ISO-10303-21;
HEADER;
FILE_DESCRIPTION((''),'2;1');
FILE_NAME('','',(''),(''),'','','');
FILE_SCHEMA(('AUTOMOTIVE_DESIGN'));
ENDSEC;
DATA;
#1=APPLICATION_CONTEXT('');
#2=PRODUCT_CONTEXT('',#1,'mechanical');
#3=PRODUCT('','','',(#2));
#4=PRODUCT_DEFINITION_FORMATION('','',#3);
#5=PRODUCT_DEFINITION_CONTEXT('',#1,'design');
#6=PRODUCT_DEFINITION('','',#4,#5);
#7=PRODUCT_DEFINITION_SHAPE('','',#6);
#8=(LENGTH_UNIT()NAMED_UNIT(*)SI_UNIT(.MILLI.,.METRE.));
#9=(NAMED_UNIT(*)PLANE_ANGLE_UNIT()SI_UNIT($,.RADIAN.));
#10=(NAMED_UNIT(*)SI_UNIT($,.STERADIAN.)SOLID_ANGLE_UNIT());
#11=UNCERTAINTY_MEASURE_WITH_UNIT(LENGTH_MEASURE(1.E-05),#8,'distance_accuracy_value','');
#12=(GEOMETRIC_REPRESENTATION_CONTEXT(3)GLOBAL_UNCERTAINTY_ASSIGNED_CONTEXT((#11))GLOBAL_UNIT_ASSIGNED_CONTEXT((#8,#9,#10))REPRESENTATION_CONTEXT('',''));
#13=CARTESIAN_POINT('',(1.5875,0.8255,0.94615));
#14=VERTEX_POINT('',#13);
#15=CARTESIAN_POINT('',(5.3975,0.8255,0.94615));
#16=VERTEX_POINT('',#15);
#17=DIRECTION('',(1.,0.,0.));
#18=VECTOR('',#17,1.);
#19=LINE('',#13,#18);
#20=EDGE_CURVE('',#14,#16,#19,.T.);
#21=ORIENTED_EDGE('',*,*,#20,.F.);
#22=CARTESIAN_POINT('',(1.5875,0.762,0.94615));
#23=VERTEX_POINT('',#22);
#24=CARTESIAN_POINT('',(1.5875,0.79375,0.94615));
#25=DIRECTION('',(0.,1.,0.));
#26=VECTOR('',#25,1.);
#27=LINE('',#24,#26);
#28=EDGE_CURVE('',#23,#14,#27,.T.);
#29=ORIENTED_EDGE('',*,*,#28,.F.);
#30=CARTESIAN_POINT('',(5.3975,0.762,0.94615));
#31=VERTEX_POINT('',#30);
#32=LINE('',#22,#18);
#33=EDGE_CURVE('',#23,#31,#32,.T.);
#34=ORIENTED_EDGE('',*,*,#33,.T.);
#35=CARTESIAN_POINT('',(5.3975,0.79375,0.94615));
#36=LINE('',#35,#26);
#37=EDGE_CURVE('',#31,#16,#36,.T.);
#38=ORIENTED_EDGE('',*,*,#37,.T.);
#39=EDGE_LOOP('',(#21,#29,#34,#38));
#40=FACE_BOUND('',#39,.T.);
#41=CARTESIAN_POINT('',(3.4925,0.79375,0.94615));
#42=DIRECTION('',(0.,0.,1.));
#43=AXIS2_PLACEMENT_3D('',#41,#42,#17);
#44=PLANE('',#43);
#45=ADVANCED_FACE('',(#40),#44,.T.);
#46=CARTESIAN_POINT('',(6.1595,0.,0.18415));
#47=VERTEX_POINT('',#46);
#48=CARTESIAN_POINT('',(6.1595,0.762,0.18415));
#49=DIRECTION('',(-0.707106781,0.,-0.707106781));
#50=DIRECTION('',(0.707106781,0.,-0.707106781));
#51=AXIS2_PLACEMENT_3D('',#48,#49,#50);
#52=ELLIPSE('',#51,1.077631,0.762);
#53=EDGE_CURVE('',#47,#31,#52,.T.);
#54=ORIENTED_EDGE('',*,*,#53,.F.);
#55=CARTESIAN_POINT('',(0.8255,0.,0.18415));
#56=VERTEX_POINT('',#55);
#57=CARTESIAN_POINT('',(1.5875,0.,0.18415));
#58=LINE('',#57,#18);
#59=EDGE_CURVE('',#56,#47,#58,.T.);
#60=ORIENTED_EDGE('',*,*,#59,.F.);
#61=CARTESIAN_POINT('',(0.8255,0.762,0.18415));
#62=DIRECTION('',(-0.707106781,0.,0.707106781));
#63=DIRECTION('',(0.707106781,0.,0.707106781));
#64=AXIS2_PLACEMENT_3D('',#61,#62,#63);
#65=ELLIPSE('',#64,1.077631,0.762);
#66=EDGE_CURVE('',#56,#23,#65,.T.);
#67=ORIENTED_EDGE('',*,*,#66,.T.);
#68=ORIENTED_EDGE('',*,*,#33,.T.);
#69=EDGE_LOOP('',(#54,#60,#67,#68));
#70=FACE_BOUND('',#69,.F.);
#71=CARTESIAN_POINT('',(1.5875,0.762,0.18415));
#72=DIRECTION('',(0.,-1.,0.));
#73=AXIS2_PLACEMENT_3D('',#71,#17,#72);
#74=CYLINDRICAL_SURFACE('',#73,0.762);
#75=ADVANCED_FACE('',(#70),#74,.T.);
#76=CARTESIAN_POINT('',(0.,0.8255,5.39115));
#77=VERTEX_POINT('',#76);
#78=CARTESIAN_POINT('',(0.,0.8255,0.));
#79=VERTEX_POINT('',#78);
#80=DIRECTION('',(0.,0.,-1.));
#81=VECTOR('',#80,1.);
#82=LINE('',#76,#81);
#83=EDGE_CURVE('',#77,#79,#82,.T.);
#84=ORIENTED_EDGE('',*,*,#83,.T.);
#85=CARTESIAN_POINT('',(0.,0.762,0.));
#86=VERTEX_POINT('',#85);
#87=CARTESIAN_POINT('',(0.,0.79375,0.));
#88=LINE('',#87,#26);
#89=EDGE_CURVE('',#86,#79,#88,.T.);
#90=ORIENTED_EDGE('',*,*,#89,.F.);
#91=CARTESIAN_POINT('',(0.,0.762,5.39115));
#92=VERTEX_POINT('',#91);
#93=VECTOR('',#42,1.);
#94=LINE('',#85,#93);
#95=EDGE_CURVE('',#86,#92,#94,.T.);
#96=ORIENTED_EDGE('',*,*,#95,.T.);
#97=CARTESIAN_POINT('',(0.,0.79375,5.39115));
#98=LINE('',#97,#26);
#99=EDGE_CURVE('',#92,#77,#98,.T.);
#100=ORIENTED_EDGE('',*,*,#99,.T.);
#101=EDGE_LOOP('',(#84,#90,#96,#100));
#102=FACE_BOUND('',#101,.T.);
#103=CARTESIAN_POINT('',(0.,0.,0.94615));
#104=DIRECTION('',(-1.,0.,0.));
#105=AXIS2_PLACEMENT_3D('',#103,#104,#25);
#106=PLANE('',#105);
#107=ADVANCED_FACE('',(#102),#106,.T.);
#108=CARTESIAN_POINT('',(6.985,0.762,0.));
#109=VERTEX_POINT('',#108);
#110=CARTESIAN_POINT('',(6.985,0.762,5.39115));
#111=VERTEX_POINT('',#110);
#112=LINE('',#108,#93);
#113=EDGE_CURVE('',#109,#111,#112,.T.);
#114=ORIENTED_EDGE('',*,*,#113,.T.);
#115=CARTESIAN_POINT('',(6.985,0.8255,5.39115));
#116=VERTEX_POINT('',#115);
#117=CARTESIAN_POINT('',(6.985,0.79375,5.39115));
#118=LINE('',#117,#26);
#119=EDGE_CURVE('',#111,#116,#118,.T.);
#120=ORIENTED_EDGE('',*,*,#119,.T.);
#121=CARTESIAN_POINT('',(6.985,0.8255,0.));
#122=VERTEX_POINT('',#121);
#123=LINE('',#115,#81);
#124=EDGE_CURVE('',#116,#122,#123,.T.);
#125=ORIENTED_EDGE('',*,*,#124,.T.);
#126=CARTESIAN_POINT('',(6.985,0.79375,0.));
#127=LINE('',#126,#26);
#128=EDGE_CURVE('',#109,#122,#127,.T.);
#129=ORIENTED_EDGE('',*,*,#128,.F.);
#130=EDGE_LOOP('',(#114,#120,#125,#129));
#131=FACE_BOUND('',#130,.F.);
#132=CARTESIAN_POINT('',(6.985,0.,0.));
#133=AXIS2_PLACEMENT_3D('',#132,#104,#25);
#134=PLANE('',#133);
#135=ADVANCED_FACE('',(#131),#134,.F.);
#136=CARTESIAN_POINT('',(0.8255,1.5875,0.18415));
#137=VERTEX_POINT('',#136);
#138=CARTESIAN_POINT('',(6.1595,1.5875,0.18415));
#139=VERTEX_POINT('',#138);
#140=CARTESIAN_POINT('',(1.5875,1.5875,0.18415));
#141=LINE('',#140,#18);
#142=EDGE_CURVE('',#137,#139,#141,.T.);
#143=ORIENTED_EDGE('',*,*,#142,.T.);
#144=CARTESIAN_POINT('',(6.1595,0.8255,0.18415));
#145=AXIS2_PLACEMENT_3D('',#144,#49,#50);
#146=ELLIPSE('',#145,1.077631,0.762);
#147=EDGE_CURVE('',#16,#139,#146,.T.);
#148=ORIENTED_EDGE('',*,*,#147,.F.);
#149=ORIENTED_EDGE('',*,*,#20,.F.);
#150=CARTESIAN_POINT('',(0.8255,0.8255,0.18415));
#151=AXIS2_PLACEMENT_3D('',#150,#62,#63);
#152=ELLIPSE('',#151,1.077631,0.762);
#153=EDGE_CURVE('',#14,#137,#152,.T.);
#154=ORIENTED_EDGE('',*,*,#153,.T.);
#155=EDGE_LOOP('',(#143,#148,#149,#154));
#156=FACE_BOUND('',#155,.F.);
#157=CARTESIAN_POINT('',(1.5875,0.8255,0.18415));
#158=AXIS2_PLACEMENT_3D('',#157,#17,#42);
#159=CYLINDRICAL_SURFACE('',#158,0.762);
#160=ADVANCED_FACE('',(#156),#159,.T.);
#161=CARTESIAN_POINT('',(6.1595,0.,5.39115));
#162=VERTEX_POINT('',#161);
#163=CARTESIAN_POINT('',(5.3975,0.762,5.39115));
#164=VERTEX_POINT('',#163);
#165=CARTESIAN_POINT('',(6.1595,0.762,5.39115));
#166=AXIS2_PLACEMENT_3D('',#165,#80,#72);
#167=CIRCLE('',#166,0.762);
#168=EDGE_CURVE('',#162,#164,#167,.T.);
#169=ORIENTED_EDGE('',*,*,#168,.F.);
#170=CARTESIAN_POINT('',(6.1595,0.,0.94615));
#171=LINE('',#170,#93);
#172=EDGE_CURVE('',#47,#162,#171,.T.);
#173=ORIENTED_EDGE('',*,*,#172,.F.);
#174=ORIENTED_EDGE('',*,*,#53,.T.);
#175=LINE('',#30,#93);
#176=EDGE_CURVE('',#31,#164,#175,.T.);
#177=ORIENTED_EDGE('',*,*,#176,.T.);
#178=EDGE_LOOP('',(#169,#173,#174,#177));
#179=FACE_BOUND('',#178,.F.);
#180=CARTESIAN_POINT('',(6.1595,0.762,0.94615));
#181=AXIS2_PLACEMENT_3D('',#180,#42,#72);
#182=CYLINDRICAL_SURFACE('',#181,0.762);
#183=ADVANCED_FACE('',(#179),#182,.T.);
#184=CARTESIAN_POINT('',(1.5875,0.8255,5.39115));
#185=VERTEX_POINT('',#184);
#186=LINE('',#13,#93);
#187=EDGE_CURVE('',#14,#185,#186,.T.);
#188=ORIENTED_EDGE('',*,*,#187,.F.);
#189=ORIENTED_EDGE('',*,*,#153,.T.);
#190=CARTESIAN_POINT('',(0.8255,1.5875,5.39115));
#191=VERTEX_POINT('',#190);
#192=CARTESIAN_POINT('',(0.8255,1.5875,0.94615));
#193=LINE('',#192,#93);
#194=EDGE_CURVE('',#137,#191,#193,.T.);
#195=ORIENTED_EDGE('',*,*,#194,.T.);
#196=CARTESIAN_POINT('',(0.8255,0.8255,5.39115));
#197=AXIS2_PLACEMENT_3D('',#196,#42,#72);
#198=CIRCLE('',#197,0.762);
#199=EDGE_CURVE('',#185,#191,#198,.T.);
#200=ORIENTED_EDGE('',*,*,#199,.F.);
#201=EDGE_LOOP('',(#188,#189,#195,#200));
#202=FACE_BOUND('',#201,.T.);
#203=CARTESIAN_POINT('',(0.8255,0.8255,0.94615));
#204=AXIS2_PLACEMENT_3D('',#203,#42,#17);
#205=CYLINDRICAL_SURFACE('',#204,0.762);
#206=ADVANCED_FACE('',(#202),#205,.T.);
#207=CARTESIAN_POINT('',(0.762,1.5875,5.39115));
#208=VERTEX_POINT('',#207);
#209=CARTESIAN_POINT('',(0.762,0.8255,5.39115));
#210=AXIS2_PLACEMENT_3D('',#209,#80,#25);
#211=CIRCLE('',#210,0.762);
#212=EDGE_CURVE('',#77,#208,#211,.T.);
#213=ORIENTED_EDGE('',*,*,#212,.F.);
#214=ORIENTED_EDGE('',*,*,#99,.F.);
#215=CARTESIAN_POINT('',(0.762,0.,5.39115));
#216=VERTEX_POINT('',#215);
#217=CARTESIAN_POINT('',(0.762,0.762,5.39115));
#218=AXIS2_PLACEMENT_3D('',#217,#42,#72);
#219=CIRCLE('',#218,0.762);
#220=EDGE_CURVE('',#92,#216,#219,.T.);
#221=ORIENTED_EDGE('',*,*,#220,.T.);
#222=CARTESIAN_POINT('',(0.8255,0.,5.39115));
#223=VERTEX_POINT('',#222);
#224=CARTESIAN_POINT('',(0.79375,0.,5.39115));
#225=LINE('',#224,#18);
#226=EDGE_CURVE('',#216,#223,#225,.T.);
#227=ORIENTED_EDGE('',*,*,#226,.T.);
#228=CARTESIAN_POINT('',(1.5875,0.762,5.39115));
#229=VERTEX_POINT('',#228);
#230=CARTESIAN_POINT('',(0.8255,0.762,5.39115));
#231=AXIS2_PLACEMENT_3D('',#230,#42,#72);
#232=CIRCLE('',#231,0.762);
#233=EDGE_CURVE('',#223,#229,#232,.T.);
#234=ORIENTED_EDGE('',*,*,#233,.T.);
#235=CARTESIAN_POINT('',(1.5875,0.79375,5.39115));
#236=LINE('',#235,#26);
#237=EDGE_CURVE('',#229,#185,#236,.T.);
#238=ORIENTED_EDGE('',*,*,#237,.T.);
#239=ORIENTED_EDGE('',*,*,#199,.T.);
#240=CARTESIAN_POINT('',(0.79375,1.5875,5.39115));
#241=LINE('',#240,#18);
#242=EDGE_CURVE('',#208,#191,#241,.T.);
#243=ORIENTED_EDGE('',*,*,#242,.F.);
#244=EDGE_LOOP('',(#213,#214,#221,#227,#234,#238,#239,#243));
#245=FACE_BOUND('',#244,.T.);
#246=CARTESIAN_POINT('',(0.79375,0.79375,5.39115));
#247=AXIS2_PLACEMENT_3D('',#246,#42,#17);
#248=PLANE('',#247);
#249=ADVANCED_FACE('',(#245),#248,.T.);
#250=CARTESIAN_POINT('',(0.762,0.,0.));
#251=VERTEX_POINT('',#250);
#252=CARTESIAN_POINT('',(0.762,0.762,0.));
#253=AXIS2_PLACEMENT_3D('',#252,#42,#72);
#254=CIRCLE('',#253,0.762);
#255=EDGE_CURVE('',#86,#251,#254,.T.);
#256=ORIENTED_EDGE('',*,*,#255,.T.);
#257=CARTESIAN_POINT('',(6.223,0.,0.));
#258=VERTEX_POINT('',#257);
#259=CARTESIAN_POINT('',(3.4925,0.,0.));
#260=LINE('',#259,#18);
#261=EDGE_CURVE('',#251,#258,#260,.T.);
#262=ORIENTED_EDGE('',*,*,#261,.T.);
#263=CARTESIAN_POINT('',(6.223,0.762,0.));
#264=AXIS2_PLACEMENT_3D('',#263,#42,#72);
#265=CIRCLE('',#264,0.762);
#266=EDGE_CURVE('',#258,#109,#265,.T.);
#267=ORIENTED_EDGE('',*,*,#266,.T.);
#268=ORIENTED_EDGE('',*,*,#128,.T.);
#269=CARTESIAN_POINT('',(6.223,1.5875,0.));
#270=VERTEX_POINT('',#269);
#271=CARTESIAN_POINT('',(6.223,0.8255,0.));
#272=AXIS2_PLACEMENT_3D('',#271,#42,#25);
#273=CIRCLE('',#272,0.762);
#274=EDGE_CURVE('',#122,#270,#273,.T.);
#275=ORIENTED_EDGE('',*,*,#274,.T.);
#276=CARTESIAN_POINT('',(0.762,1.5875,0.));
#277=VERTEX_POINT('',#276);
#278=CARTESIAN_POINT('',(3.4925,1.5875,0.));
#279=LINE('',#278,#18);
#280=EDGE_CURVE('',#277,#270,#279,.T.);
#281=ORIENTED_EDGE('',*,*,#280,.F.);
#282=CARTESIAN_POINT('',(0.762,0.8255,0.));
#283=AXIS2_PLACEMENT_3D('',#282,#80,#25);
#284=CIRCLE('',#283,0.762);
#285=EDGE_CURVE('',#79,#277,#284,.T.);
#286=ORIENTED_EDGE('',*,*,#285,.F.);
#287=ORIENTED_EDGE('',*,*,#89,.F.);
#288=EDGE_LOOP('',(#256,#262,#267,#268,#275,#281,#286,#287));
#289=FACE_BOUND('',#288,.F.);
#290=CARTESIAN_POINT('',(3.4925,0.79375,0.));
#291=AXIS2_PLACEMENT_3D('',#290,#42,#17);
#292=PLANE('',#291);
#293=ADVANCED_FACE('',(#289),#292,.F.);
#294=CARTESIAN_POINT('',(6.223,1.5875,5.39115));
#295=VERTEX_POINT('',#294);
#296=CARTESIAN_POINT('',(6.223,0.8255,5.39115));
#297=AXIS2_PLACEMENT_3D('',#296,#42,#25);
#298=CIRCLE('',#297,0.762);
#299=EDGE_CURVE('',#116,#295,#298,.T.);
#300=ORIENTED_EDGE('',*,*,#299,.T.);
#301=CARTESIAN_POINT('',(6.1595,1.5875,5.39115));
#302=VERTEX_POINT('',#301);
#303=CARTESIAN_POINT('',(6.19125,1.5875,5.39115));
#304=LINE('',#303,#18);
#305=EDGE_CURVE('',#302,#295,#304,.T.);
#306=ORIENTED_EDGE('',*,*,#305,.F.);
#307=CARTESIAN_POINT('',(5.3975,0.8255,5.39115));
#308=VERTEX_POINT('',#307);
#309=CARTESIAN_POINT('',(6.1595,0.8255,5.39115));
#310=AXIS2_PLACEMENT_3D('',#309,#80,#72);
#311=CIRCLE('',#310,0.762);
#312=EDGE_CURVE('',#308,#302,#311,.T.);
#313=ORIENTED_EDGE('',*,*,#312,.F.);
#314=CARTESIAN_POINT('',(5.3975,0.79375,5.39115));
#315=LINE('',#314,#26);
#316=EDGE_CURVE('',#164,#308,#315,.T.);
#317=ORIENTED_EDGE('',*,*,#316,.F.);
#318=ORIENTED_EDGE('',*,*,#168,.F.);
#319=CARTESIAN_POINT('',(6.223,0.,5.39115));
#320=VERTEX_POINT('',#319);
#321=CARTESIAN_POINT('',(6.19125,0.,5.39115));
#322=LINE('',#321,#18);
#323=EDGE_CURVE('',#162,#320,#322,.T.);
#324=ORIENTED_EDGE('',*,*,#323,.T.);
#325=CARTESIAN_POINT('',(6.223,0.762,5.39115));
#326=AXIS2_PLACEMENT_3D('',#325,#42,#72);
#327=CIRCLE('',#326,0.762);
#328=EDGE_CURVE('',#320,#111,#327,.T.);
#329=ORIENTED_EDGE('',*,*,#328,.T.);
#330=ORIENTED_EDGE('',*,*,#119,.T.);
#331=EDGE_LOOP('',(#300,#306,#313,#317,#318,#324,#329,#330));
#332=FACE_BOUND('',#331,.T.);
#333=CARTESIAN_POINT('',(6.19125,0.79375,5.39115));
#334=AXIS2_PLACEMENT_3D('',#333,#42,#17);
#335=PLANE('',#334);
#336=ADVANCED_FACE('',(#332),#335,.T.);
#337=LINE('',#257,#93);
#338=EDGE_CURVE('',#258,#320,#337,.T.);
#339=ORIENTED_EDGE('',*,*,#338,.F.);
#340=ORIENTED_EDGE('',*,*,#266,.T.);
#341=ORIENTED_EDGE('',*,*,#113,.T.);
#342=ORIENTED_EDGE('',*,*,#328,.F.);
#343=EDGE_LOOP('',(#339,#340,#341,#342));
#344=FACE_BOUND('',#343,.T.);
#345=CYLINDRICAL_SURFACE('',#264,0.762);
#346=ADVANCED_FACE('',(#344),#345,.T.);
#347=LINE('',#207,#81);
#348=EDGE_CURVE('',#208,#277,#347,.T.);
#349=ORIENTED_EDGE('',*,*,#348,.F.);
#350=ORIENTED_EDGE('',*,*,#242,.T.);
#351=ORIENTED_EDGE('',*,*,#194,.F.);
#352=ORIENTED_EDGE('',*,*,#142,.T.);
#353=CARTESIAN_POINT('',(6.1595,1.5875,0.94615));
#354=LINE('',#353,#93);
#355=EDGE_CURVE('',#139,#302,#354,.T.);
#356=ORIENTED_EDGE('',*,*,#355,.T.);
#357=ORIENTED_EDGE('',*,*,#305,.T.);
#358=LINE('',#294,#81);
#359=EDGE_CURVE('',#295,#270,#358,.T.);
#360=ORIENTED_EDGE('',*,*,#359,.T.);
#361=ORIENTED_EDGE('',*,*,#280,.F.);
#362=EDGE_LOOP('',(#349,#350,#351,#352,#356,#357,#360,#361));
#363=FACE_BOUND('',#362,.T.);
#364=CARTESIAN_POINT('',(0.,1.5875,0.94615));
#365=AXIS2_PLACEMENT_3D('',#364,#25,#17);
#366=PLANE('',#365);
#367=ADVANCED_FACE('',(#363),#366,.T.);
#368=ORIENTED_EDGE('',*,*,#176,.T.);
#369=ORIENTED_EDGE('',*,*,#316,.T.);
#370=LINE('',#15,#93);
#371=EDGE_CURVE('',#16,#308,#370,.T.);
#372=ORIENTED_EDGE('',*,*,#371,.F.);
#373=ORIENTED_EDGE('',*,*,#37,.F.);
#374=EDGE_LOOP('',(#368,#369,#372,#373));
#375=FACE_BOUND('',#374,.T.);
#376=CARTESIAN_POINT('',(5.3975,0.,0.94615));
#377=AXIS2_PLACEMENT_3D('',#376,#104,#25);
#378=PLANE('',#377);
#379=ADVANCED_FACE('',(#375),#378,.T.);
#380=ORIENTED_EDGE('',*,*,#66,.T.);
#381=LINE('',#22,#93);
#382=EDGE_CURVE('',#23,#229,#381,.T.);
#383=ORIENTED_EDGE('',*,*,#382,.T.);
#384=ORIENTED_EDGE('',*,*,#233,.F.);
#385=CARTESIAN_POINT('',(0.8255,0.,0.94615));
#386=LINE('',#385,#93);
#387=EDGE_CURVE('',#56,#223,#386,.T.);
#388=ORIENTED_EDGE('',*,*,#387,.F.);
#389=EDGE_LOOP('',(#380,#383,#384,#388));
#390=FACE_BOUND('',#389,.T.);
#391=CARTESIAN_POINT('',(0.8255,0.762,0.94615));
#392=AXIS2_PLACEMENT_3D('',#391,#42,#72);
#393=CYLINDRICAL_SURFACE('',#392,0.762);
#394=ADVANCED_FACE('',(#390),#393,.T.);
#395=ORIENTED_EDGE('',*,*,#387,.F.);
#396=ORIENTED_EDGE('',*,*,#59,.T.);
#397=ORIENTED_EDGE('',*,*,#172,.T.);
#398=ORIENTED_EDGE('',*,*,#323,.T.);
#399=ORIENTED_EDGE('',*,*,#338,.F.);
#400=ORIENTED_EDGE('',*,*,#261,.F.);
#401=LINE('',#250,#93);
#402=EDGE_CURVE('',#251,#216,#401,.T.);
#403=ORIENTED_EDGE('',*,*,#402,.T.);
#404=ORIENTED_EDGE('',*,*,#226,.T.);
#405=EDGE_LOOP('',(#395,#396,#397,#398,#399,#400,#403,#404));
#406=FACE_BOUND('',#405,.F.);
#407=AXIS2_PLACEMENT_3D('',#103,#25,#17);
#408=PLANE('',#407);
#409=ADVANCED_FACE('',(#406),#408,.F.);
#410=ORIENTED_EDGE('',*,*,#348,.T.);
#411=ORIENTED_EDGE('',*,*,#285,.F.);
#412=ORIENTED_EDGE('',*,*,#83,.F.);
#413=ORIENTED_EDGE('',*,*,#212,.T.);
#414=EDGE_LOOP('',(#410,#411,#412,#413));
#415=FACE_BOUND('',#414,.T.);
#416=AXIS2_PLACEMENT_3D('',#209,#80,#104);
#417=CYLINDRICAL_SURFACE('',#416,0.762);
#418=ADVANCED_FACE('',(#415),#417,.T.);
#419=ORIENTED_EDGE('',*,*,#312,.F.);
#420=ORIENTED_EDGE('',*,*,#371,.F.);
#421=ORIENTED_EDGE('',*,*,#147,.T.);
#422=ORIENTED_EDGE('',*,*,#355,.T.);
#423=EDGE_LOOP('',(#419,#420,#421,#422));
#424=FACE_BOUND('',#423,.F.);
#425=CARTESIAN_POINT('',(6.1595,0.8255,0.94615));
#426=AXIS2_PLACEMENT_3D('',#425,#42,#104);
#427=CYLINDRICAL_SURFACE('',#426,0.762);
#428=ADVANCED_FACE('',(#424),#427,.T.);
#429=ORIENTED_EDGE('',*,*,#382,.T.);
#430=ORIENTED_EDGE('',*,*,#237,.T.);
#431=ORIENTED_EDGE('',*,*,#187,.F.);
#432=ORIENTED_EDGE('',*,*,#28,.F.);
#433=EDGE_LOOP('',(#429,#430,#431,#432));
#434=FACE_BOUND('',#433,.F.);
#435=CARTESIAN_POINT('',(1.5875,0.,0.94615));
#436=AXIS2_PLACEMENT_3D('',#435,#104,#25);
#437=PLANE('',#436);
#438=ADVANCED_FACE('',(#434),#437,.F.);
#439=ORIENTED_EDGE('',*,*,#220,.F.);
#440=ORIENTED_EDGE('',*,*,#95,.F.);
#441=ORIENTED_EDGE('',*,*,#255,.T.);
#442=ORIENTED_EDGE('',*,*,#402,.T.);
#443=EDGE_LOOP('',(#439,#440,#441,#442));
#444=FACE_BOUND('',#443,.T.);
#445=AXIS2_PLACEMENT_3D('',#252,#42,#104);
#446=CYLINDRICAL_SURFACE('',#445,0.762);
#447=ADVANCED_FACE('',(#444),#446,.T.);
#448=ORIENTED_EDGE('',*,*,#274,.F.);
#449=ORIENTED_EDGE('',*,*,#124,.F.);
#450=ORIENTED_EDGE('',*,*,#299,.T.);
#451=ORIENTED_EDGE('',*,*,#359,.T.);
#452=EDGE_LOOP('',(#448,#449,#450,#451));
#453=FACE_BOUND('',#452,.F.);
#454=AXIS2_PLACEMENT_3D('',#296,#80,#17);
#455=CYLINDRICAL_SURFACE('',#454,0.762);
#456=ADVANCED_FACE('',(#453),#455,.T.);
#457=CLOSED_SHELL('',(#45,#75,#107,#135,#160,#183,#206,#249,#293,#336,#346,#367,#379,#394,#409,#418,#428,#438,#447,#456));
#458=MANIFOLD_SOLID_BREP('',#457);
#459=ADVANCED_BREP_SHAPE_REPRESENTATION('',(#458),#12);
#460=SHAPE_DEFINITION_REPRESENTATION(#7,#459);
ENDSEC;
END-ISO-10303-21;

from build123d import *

# Parameters (mm, degrees)
F0_W     = 6.985
F0_H     = 1.5875
F1_DEPTH = 0.94615
F2_W     = 1.5875
F2_H     = 1.5875
F3_DEPTH = 4.445
F4_R     = 0.762


with BuildPart() as f1:
    # F0 (on Top) → F1 (new body)
    with BuildSketch(Plane.XY):
        with Locations((3.4925, 0.79375)):
            Rectangle(F0_W, F0_H)
    extrude(amount=F1_DEPTH)

    # F2 (on face) → F3 (join)
    with BuildSketch(Plane.XY.offset(0.94615)):
        with Locations((0.79375, 0.79375)):
            Rectangle(F2_W, F2_H)
        with Locations((6.19125, 0.79375)):
            Rectangle(F2_W, F2_H)
    extrude(amount=F3_DEPTH)

    # F4
    f4_edges = [f1.edges().sort_by_distance(p)[0] for p in [
        (0, 0, 2.695575),
        (1.5875, 0, 3.16865),
        (3.4925, 0, 0.94615),
        (5.3975, 0, 3.16865),
        (6.985, 0, 2.695575),
        (0, 1.5875, 2.695575),
        (1.5875, 1.5875, 3.16865),
        (3.4925, 1.5875, 0.94615),
        (5.3975, 1.5875, 3.16865),
        (6.985, 1.5875, 2.695575),
    ]]
    fillet(f4_edges, radius=F4_R)


solid = f1.part
